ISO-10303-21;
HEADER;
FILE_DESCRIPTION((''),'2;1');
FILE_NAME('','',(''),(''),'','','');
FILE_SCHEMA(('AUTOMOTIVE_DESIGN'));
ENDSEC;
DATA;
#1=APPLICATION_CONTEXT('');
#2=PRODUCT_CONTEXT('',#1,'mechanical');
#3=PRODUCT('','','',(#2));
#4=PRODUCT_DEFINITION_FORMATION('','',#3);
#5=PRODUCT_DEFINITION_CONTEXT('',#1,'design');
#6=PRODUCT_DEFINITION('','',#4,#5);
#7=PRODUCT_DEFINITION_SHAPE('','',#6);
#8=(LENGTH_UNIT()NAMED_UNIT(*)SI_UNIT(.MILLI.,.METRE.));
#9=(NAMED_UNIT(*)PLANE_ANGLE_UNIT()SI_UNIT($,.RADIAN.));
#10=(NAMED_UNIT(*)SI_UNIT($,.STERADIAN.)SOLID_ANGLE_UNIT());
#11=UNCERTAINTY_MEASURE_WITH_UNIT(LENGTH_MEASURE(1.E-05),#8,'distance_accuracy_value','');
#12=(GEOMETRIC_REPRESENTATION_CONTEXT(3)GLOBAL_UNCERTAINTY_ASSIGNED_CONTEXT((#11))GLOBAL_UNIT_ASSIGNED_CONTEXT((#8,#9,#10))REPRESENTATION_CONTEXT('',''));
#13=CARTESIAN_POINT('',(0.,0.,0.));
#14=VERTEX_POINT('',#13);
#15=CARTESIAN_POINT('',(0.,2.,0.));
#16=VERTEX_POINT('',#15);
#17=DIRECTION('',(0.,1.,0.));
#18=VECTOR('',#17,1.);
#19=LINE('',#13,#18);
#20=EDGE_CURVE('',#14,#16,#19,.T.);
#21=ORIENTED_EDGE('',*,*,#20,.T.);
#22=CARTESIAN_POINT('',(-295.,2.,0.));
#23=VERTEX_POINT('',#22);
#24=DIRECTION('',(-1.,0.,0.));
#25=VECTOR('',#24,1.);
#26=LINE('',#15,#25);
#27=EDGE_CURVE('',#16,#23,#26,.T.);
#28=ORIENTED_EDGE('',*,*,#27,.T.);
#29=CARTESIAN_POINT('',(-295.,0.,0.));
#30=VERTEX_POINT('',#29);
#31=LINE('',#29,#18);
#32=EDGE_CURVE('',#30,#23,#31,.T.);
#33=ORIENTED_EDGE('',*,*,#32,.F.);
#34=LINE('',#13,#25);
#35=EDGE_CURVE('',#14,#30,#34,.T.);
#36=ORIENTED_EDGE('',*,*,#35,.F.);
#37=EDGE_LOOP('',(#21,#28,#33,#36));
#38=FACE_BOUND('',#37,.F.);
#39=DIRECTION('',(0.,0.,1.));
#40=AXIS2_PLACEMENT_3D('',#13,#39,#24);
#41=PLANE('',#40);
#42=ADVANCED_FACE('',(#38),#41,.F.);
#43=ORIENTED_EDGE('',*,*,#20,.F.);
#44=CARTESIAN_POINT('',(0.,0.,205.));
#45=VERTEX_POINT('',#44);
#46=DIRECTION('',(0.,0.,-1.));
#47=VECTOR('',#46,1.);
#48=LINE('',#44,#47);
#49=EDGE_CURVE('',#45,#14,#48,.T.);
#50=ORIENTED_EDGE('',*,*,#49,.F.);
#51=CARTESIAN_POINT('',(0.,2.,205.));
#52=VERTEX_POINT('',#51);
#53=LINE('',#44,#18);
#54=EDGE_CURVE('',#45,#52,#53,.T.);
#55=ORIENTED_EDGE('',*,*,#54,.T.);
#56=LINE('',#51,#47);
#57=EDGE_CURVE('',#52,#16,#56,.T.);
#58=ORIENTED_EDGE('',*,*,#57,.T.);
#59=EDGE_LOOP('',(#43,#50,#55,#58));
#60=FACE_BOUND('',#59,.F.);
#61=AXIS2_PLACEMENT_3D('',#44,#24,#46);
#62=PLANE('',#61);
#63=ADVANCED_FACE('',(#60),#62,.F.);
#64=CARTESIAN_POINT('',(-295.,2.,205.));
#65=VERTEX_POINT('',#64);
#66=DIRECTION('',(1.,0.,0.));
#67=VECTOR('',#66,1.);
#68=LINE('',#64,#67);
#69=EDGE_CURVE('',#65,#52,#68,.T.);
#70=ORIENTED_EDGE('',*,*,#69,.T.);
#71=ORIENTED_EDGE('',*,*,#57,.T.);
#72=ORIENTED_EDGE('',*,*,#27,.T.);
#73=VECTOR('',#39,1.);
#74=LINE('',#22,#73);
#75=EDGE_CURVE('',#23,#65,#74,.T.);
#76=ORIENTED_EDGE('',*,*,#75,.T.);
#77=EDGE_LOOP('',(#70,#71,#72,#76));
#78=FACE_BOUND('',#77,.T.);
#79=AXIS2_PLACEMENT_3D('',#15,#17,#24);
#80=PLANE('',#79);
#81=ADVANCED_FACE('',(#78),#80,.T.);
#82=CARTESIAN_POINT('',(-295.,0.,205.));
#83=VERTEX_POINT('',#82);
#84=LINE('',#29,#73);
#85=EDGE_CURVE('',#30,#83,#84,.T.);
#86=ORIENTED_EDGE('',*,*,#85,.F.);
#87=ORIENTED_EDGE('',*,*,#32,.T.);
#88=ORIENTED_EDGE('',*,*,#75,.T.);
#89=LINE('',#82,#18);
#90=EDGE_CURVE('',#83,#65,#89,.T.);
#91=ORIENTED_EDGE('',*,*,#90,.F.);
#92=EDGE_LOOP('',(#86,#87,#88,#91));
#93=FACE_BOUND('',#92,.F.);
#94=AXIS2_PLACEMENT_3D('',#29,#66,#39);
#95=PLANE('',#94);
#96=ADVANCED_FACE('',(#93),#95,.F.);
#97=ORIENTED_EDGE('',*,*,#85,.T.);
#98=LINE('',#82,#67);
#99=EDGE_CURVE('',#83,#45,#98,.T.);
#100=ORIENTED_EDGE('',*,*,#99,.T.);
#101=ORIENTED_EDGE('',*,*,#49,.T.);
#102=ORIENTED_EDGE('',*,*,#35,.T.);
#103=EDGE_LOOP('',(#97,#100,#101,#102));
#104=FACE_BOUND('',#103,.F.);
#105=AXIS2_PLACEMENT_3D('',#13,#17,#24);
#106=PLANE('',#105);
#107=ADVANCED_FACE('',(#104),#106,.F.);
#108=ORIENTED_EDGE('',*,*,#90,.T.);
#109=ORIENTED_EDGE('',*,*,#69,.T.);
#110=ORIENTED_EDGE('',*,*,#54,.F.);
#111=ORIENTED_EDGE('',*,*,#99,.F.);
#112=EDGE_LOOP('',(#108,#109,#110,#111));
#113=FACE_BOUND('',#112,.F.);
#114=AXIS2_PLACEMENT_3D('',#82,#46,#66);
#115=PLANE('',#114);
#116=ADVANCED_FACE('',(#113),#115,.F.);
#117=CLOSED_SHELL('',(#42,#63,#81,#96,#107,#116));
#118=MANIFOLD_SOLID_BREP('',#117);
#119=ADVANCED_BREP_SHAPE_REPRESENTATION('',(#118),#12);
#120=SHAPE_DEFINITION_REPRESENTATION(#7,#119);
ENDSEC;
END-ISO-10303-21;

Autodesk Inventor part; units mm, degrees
ref_plane "YZ Plane" through (0, 0, 0) normal (1, 0, 0) x (0, 1, 0)
ref_plane "XZ Plane" through (0, 0, 0) normal (0, 1, 0) x (-1, 0, 0)
ref_plane "XY Plane" through (0, 0, 0) normal (0, 0, 1) x (1, 0, 0)
sketch "Szkic1" plane through (0, 0, 0) normal (0, 1, 0) x (-1, 0, 0)
  line L0 (0, 0) -> (295, 0)
  line L1 (295, 0) -> (295, 205)
  line L2 (295, 205) -> (0, 205)
  line L3 (0, 205) -> (0, 0)
  dimension "d0" = 295
  dimension "d2" = 205
extrude "Wyciągnięcie proste1" add sketch "Szkic1" along normal blind 2
properties part number "blacha1" material "Aluminium 6061"
